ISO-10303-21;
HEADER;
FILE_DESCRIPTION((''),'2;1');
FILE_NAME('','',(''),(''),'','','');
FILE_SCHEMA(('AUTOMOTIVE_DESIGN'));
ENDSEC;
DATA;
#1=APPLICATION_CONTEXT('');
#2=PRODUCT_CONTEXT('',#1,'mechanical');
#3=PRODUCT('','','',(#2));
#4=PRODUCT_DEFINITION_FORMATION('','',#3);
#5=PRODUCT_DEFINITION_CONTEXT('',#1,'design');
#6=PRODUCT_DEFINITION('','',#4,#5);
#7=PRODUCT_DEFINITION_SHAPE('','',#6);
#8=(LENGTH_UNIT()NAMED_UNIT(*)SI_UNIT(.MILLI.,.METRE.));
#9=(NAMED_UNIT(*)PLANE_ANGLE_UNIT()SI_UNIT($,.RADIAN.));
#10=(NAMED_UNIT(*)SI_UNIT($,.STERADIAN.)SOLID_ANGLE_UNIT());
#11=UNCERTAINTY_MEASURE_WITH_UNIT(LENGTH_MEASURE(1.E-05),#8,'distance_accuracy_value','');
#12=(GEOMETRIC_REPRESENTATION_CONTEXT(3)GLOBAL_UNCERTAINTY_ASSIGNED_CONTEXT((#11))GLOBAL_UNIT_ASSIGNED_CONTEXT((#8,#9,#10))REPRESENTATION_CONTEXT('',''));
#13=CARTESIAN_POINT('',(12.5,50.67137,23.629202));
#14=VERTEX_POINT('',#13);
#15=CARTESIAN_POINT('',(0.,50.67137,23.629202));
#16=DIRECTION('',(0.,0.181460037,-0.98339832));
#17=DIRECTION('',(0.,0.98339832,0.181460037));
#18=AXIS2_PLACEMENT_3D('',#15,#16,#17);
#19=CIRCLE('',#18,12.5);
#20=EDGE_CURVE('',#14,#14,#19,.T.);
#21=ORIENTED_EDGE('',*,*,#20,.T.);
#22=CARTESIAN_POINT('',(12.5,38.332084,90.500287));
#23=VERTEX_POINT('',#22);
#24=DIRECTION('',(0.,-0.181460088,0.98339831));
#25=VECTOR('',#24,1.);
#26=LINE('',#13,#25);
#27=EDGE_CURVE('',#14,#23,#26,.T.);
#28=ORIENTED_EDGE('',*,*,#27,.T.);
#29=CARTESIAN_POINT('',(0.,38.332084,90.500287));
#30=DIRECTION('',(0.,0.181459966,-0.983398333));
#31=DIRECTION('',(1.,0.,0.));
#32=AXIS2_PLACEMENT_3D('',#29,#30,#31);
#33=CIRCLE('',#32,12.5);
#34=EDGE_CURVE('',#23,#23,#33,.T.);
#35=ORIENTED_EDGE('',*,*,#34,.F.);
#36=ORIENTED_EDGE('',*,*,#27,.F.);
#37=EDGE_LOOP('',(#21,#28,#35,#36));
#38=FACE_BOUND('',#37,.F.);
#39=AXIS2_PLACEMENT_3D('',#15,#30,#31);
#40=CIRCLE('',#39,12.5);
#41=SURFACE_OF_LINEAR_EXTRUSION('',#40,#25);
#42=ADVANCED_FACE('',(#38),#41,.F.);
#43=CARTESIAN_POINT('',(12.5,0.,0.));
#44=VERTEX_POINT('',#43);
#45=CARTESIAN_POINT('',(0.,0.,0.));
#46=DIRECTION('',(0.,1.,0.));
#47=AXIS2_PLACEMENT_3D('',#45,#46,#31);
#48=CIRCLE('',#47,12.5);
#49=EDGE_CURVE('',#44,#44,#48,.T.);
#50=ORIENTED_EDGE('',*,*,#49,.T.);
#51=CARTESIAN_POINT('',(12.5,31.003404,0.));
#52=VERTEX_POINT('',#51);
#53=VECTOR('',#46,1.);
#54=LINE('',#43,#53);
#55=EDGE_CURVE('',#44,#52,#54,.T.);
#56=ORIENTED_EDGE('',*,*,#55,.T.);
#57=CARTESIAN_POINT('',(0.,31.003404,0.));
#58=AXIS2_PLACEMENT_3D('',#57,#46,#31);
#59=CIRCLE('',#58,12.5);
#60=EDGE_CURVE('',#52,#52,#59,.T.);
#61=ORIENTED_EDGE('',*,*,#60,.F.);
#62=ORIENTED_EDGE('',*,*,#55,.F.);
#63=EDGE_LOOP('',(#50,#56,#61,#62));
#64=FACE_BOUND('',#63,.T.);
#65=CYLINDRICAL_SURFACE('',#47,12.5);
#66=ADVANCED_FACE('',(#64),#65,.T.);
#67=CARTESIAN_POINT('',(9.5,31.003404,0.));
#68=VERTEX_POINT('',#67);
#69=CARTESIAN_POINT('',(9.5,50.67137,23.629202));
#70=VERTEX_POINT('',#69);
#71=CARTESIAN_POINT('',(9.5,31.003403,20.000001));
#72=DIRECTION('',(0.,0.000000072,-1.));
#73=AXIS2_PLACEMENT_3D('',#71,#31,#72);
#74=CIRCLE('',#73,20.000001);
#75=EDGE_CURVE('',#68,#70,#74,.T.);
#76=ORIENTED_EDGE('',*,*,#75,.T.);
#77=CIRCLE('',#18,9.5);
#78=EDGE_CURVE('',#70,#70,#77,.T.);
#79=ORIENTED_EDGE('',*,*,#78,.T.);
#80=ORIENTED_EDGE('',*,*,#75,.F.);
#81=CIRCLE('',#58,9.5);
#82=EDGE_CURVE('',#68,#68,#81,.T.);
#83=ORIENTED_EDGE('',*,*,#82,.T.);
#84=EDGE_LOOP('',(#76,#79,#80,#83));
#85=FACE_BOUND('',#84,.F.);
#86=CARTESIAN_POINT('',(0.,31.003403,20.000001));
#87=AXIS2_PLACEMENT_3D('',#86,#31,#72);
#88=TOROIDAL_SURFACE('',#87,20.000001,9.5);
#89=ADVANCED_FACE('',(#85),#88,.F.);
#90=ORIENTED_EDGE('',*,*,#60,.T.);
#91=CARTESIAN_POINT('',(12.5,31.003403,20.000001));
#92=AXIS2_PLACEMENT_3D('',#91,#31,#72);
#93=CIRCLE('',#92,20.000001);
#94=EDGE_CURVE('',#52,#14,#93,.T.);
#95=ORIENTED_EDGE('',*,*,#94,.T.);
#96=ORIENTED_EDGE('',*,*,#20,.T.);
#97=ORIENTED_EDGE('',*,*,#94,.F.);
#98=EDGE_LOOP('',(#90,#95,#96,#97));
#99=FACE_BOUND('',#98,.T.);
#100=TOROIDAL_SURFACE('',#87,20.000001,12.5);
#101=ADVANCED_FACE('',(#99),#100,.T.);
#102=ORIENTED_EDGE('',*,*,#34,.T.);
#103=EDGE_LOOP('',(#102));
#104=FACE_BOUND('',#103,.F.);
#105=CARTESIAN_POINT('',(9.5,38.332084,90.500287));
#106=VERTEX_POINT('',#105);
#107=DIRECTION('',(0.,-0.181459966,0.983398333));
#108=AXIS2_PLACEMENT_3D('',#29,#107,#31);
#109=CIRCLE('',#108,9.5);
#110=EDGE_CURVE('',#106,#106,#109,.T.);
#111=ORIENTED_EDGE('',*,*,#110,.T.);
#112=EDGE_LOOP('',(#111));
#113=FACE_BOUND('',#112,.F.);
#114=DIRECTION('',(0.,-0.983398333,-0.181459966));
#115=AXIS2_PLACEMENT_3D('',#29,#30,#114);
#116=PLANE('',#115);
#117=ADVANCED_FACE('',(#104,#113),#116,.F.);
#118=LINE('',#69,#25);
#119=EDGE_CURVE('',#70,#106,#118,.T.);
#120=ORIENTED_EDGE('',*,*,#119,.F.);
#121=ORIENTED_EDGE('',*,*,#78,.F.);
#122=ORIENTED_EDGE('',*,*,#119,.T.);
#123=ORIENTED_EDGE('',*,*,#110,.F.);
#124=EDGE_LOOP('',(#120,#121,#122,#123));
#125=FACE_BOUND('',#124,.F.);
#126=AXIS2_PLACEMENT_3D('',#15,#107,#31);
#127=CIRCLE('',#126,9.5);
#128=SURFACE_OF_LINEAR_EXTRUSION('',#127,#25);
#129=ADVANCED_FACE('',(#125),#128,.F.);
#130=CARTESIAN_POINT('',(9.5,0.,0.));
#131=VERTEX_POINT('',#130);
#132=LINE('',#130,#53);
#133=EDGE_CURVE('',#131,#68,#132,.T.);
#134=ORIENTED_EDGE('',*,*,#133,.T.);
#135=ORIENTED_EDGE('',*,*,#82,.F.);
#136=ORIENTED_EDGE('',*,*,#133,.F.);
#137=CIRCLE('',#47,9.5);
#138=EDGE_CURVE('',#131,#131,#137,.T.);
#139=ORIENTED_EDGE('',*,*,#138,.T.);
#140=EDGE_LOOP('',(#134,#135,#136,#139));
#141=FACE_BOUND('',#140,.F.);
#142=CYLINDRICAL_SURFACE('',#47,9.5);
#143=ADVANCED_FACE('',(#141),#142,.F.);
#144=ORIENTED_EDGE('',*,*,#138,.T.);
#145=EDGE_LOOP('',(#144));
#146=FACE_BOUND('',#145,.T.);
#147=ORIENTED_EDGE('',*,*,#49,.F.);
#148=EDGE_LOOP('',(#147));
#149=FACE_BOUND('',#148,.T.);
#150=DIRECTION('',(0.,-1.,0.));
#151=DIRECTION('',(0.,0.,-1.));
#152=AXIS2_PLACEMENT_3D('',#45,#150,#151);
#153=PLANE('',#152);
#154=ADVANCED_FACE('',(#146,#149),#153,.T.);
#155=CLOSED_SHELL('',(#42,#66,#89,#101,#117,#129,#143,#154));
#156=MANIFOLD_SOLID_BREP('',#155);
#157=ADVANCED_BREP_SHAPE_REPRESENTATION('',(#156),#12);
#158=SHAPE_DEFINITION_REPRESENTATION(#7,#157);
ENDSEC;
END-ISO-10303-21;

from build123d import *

# Parameters (mm, degrees)
F0_R   = 12.5
F0_R_2 = 9.5


with BuildPart() as f2:
    # F2: sweep along a path in F1
    with BuildLine(Plane.YZ) as f2_path:
        Line((0, 0), (31.003404, 0))
        ThreePointArc((31.003404, 0), (46.375196, 7.205158), (50.67137, 23.629202))
        Line((50.67137, 23.629202), (38.332084, 90.500287))
    # F0 (on Front) → F2 (sweep)
    with BuildSketch(Plane.XZ):
        Circle(F0_R)
        Circle(F0_R_2, mode=Mode.SUBTRACT)
    sweep(path=f2_path.line)


solid = f2.part
